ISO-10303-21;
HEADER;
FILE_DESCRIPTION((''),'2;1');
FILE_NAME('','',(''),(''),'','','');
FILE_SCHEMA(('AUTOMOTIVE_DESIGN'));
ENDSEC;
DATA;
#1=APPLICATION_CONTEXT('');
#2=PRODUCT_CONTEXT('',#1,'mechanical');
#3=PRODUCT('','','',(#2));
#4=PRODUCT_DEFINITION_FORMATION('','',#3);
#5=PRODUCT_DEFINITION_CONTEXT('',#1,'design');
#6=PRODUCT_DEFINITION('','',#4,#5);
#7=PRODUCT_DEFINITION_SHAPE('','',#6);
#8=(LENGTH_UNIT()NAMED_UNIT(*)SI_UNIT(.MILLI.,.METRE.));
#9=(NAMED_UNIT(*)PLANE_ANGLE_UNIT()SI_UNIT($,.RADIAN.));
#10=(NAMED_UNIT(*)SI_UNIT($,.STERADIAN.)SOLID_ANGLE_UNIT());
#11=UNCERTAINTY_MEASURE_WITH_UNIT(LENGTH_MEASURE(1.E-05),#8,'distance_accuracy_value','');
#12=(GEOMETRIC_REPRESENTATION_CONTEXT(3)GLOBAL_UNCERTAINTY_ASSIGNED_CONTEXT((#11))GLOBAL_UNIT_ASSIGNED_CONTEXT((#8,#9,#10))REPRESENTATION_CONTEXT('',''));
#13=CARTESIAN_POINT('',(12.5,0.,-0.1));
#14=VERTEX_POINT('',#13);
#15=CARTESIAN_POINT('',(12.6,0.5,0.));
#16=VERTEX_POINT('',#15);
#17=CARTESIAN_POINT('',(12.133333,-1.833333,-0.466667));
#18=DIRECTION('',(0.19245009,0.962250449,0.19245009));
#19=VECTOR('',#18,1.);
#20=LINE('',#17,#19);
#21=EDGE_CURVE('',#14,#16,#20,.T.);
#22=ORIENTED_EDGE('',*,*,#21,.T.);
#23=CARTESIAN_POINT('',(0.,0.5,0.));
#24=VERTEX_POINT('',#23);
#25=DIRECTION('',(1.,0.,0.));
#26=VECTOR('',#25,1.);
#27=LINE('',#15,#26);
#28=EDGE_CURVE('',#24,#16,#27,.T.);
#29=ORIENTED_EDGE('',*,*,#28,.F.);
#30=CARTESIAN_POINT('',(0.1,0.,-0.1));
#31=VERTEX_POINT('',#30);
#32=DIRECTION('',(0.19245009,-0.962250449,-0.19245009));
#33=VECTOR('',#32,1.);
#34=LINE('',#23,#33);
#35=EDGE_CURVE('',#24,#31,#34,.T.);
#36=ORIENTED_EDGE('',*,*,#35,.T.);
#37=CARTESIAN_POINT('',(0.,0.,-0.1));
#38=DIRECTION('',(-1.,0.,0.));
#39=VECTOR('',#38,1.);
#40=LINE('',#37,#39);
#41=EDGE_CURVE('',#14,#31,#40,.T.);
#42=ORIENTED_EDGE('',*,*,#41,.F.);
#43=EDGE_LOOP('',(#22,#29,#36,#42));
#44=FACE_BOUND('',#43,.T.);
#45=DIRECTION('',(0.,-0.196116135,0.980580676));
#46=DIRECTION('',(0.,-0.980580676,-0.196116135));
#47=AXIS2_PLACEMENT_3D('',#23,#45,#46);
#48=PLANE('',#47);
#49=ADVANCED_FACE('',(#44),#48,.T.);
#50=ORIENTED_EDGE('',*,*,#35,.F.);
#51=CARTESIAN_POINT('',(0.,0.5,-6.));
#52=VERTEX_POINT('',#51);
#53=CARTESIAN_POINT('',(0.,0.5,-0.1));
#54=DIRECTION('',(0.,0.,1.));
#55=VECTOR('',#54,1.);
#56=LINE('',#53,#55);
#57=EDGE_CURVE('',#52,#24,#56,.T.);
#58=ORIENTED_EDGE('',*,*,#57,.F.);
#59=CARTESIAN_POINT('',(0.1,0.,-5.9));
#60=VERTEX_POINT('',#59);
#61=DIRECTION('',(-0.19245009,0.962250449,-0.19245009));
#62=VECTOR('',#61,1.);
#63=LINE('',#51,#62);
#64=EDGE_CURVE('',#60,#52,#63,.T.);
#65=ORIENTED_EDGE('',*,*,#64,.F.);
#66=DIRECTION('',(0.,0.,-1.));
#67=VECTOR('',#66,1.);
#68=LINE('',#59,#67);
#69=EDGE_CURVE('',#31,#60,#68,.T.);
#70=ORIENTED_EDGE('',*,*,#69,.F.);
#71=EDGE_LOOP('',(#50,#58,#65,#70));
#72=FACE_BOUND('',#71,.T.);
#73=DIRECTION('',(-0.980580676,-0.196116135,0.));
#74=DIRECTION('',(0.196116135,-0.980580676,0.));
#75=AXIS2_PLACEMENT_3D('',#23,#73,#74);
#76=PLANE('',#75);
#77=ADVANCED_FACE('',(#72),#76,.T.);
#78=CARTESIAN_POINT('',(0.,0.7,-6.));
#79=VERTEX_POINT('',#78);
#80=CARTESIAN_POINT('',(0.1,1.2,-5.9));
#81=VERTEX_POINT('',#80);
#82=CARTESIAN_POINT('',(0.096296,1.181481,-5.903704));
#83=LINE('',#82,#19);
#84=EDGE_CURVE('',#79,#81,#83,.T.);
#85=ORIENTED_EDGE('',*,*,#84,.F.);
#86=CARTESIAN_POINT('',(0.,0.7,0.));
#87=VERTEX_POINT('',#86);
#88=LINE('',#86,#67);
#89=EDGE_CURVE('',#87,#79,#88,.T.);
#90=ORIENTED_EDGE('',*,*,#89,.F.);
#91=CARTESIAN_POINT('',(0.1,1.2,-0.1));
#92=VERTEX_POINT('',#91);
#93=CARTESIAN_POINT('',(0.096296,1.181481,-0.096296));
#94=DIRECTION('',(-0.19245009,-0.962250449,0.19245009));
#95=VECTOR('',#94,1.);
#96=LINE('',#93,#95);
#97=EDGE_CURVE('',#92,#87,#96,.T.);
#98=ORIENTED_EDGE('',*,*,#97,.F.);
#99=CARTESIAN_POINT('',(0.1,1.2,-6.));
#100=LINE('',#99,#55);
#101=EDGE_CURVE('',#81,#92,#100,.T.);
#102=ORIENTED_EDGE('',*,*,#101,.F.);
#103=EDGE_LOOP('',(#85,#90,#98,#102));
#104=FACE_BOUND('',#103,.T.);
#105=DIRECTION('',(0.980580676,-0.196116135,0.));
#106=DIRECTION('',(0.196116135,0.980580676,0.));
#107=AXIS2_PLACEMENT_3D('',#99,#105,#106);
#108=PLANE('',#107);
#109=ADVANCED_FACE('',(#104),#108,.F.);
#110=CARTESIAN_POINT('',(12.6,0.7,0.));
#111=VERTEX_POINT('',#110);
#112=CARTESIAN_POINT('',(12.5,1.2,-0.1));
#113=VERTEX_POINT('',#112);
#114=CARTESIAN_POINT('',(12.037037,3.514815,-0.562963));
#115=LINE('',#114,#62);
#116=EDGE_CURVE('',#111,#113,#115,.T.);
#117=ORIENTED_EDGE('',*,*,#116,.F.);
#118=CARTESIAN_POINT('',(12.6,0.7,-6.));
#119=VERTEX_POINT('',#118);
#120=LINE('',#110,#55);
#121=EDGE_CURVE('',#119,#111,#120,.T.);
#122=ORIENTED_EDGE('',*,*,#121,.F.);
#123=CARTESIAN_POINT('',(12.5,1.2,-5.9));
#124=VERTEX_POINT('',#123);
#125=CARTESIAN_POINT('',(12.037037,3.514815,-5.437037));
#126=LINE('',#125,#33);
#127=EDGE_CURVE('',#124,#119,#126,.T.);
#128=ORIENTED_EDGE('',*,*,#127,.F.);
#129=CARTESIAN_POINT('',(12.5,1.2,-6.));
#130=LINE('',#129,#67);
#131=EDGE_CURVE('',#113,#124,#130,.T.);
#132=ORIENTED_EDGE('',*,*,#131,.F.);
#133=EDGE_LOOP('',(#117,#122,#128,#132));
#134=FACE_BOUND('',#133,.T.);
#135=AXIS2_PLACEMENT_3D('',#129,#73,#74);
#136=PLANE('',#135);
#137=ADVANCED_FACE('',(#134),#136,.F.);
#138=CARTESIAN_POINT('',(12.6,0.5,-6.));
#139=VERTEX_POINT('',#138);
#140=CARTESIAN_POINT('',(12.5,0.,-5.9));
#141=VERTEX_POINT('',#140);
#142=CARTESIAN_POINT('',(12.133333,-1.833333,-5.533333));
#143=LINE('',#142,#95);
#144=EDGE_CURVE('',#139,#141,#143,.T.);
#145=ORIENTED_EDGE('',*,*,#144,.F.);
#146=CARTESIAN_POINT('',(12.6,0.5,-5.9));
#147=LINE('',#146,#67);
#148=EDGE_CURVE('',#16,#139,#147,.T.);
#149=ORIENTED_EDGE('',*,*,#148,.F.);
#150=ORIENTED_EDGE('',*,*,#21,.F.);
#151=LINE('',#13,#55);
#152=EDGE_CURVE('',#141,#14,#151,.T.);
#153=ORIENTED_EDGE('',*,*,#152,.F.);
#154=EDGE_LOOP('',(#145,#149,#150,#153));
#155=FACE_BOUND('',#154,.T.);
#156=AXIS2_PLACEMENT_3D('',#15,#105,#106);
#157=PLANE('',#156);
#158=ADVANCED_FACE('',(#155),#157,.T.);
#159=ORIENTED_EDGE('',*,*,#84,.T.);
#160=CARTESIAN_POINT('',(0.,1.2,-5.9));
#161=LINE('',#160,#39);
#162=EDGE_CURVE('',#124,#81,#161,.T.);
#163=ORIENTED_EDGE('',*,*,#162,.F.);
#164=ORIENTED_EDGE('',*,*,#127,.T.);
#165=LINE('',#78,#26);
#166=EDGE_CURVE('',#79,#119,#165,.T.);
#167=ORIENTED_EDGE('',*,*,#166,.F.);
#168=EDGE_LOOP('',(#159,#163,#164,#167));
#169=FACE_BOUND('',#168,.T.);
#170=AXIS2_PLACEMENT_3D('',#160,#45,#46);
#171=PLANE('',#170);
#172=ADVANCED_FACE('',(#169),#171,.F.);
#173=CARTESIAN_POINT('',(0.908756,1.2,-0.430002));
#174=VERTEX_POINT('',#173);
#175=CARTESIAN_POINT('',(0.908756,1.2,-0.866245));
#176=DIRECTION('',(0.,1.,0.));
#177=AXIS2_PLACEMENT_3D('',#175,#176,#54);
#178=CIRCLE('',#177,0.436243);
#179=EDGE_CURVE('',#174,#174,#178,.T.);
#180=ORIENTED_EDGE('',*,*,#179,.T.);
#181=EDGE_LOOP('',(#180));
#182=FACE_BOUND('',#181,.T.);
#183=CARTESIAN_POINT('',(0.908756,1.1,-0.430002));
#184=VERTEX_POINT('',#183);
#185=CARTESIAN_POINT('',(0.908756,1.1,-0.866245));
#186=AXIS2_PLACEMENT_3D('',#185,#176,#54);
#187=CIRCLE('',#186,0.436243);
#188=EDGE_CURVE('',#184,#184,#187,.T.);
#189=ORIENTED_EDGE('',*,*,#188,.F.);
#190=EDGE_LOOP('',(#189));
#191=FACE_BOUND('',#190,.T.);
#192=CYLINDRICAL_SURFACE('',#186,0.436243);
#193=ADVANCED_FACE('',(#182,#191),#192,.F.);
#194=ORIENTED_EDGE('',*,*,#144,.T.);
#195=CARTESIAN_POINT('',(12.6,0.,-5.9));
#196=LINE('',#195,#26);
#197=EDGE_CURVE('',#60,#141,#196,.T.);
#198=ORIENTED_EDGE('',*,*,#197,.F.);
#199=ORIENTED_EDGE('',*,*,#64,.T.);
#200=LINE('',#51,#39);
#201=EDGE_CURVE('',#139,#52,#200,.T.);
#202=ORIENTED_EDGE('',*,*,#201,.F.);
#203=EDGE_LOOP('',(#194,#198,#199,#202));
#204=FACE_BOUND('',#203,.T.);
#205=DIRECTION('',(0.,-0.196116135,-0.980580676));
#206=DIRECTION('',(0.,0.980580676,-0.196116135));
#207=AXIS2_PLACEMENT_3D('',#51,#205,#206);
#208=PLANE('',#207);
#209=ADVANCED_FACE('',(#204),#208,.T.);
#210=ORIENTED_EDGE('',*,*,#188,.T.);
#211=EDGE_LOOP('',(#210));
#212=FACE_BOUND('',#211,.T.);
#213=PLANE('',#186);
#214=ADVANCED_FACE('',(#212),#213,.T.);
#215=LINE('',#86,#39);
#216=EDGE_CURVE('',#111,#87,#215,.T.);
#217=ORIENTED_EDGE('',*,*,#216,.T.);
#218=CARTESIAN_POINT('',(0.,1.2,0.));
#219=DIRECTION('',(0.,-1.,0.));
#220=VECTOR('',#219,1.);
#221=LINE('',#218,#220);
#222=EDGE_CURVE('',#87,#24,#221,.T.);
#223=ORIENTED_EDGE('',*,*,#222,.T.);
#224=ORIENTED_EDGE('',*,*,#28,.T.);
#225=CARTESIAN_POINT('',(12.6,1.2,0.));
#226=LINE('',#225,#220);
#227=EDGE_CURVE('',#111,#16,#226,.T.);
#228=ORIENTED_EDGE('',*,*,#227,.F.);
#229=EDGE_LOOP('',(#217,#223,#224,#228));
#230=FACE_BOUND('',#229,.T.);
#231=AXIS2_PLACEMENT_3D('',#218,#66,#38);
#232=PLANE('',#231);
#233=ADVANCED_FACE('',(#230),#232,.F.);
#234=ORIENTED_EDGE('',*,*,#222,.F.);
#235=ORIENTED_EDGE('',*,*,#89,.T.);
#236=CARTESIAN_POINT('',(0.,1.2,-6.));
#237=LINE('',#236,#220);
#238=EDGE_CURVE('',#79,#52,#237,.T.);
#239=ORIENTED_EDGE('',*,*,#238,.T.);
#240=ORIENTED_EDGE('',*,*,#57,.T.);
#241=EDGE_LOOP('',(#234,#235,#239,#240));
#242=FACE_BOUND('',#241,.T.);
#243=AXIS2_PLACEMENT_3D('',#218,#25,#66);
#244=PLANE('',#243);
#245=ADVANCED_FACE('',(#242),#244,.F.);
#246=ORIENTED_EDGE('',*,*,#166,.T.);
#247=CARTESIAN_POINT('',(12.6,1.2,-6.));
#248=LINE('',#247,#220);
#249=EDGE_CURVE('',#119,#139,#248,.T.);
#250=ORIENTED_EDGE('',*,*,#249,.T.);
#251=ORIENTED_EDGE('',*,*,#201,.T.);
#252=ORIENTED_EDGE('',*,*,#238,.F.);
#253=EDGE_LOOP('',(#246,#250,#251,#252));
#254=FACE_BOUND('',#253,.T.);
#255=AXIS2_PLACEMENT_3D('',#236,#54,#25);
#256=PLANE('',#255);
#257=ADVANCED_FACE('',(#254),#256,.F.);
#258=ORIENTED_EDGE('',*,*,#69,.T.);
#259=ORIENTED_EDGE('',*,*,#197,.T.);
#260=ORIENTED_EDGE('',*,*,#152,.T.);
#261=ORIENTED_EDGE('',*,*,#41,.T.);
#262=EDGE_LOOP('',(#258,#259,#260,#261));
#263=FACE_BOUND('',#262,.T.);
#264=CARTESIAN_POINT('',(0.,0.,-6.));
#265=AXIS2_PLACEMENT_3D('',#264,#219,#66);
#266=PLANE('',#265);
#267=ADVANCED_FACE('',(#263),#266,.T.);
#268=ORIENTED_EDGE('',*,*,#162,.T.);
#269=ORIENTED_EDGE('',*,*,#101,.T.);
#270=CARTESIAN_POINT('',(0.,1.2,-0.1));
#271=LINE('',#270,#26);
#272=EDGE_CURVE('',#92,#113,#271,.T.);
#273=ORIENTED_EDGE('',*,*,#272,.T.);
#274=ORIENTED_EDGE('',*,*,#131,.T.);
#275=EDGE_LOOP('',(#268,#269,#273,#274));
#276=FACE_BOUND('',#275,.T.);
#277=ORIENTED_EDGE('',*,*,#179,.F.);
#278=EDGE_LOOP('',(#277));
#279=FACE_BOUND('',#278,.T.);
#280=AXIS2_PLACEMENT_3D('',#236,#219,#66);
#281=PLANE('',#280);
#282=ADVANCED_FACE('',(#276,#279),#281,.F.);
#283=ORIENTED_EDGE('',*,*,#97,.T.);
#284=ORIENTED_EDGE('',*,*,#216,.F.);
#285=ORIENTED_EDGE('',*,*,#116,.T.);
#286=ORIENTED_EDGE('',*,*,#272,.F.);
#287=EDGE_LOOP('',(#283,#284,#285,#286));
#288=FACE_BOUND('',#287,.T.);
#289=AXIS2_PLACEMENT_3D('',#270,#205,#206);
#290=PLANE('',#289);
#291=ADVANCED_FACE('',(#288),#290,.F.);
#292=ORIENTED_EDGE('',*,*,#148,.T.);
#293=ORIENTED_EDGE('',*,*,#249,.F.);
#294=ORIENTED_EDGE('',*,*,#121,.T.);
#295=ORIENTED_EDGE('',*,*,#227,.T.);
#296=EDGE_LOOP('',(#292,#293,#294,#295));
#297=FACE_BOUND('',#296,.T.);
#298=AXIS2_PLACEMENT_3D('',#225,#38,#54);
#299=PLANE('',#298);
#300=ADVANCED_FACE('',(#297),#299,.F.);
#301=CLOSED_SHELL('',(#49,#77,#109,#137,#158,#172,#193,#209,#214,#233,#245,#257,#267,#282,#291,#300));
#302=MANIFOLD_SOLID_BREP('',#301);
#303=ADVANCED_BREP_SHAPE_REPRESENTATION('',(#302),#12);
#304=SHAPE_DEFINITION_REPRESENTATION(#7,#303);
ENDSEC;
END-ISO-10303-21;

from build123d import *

# Parameters (mm, degrees)
ESQUISSE1_W             = 12.6
ESQUISSE1_H             = 6
BOSS_EXTRU_1_DEPTH      = 1.2
CHANFREIN1_SIZE         = 0.5
CHANFREIN1_SIZE2        = 0.1
CHANFREIN2_SIZE         = 0.1
CHANFREIN2_SIZE2        = 0.5
CHANFREIN3_SIZE         = 0.5
CHANFREIN3_SIZE2        = 0.1
CHANFREIN4_SIZE         = 0.1
CHANFREIN4_SIZE2        = 0.5
CHANFREIN5_SIZE         = 0.5
CHANFREIN5_SIZE2        = 0.1
CHANFREIN6_SIZE         = 0.1
CHANFREIN6_SIZE2        = 0.5
CHANFREIN7_SIZE         = 0.5
CHANFREIN7_SIZE2        = 0.1
CHANFREIN8_SIZE         = 0.1
CHANFREIN8_SIZE2        = 0.5
ESQUISSE2_R             = 0.436243036
ENL_V_MAT_EXTRU_1_DEPTH = 0.1


with BuildPart() as part:
    # Esquisse1 → Boss.-Extru.1 (new body)
    with BuildSketch(Plane(origin=(0, 0, 0), x_dir=(1, 0, 0), z_dir=(0, 1, 0))):
        with Locations((6.3, 3)):
            Rectangle(ESQUISSE1_W, ESQUISSE1_H)
    extrude(amount=BOSS_EXTRU_1_DEPTH)

    # Chanfrein1
    chanfrein1_edges = [part.edges().sort_by_distance(p)[0] for p in [
        (6.3, 1.2, 0),
    ]]
    chanfrein1_side = [part.faces().sort_by_distance(p)[0] for p in [
        (6.3, 0.6, 0),
    ]]
    chamfer(chanfrein1_edges, length=CHANFREIN1_SIZE, length2=CHANFREIN1_SIZE2, reference=chanfrein1_side[0])

    # Chanfrein2
    chanfrein2_edges = [part.edges().sort_by_distance(p)[0] for p in [
        (6.3, 0, 0),
    ]]
    chanfrein2_side = [part.faces().sort_by_distance(p)[0] for p in [
        (6.3, 0, -3),
    ]]
    chamfer(chanfrein2_edges, length=CHANFREIN2_SIZE, length2=CHANFREIN2_SIZE2, reference=chanfrein2_side[0])

    # Chanfrein3
    chanfrein3_edges = [part.edges().sort_by_distance(p)[0] for p in [
        (6.3, 1.2, -6),
    ]]
    chanfrein3_side = [part.faces().sort_by_distance(p)[0] for p in [
        (6.3, 0.6, -6),
    ]]
    chamfer(chanfrein3_edges, length=CHANFREIN3_SIZE, length2=CHANFREIN3_SIZE2, reference=chanfrein3_side[0])

    # Chanfrein4
    chanfrein4_edges = [part.edges().sort_by_distance(p)[0] for p in [
        (6.3, 0, -6),
    ]]
    chanfrein4_side = [part.faces().sort_by_distance(p)[0] for p in [
        (6.3, 0, -3.05),
    ]]
    chamfer(chanfrein4_edges, length=CHANFREIN4_SIZE, length2=CHANFREIN4_SIZE2, reference=chanfrein4_side[0])

    # Chanfrein5
    chanfrein5_edges = [part.edges().sort_by_distance(p)[0] for p in [
        (0, 1.2, -3),
    ]]
    chanfrein5_side = [part.faces().sort_by_distance(p)[0] for p in [
        (0, 0.6, -3),
    ]]
    chamfer(chanfrein5_edges, length=CHANFREIN5_SIZE, length2=CHANFREIN5_SIZE2, reference=chanfrein5_side[0])

    # Chanfrein6
    chanfrein6_edges = [part.edges().sort_by_distance(p)[0] for p in [
        (0, 0, -3),
    ]]
    chanfrein6_side = [part.faces().sort_by_distance(p)[0] for p in [
        (6.3, 0, -3),
    ]]
    chamfer(chanfrein6_edges, length=CHANFREIN6_SIZE, length2=CHANFREIN6_SIZE2, reference=chanfrein6_side[0])

    # Chanfrein7
    chanfrein7_edges = [part.edges().sort_by_distance(p)[0] for p in [
        (12.6, 1.2, -3),
    ]]
    chanfrein7_side = [part.faces().sort_by_distance(p)[0] for p in [
        (12.6, 0.6, -3),
    ]]
    chamfer(chanfrein7_edges, length=CHANFREIN7_SIZE, length2=CHANFREIN7_SIZE2, reference=chanfrein7_side[0])

    # Chanfrein8
    chanfrein8_edges = [part.edges().sort_by_distance(p)[0] for p in [
        (12.6, 0, -3),
    ]]
    chanfrein8_side = [part.faces().sort_by_distance(p)[0] for p in [
        (6.35, 0, -3),
    ]]
    chamfer(chanfrein8_edges, length=CHANFREIN8_SIZE, length2=CHANFREIN8_SIZE2, reference=chanfrein8_side[0])

    # Esquisse2 → Enlèv. mat.-Extru.1 (cut)
    with BuildSketch(Plane(origin=(0, 1.2, 0), x_dir=(-1, 0, 0), z_dir=(0, 1, 0))):
        with Locations(Location((-0.908756143, -0.866244747, 0), (0, 0, 90))):  # turned: the seam where the file's is
            Circle(ESQUISSE2_R)
    extrude(amount=-ENL_V_MAT_EXTRU_1_DEPTH, mode=Mode.SUBTRACT)


solid = part.part
